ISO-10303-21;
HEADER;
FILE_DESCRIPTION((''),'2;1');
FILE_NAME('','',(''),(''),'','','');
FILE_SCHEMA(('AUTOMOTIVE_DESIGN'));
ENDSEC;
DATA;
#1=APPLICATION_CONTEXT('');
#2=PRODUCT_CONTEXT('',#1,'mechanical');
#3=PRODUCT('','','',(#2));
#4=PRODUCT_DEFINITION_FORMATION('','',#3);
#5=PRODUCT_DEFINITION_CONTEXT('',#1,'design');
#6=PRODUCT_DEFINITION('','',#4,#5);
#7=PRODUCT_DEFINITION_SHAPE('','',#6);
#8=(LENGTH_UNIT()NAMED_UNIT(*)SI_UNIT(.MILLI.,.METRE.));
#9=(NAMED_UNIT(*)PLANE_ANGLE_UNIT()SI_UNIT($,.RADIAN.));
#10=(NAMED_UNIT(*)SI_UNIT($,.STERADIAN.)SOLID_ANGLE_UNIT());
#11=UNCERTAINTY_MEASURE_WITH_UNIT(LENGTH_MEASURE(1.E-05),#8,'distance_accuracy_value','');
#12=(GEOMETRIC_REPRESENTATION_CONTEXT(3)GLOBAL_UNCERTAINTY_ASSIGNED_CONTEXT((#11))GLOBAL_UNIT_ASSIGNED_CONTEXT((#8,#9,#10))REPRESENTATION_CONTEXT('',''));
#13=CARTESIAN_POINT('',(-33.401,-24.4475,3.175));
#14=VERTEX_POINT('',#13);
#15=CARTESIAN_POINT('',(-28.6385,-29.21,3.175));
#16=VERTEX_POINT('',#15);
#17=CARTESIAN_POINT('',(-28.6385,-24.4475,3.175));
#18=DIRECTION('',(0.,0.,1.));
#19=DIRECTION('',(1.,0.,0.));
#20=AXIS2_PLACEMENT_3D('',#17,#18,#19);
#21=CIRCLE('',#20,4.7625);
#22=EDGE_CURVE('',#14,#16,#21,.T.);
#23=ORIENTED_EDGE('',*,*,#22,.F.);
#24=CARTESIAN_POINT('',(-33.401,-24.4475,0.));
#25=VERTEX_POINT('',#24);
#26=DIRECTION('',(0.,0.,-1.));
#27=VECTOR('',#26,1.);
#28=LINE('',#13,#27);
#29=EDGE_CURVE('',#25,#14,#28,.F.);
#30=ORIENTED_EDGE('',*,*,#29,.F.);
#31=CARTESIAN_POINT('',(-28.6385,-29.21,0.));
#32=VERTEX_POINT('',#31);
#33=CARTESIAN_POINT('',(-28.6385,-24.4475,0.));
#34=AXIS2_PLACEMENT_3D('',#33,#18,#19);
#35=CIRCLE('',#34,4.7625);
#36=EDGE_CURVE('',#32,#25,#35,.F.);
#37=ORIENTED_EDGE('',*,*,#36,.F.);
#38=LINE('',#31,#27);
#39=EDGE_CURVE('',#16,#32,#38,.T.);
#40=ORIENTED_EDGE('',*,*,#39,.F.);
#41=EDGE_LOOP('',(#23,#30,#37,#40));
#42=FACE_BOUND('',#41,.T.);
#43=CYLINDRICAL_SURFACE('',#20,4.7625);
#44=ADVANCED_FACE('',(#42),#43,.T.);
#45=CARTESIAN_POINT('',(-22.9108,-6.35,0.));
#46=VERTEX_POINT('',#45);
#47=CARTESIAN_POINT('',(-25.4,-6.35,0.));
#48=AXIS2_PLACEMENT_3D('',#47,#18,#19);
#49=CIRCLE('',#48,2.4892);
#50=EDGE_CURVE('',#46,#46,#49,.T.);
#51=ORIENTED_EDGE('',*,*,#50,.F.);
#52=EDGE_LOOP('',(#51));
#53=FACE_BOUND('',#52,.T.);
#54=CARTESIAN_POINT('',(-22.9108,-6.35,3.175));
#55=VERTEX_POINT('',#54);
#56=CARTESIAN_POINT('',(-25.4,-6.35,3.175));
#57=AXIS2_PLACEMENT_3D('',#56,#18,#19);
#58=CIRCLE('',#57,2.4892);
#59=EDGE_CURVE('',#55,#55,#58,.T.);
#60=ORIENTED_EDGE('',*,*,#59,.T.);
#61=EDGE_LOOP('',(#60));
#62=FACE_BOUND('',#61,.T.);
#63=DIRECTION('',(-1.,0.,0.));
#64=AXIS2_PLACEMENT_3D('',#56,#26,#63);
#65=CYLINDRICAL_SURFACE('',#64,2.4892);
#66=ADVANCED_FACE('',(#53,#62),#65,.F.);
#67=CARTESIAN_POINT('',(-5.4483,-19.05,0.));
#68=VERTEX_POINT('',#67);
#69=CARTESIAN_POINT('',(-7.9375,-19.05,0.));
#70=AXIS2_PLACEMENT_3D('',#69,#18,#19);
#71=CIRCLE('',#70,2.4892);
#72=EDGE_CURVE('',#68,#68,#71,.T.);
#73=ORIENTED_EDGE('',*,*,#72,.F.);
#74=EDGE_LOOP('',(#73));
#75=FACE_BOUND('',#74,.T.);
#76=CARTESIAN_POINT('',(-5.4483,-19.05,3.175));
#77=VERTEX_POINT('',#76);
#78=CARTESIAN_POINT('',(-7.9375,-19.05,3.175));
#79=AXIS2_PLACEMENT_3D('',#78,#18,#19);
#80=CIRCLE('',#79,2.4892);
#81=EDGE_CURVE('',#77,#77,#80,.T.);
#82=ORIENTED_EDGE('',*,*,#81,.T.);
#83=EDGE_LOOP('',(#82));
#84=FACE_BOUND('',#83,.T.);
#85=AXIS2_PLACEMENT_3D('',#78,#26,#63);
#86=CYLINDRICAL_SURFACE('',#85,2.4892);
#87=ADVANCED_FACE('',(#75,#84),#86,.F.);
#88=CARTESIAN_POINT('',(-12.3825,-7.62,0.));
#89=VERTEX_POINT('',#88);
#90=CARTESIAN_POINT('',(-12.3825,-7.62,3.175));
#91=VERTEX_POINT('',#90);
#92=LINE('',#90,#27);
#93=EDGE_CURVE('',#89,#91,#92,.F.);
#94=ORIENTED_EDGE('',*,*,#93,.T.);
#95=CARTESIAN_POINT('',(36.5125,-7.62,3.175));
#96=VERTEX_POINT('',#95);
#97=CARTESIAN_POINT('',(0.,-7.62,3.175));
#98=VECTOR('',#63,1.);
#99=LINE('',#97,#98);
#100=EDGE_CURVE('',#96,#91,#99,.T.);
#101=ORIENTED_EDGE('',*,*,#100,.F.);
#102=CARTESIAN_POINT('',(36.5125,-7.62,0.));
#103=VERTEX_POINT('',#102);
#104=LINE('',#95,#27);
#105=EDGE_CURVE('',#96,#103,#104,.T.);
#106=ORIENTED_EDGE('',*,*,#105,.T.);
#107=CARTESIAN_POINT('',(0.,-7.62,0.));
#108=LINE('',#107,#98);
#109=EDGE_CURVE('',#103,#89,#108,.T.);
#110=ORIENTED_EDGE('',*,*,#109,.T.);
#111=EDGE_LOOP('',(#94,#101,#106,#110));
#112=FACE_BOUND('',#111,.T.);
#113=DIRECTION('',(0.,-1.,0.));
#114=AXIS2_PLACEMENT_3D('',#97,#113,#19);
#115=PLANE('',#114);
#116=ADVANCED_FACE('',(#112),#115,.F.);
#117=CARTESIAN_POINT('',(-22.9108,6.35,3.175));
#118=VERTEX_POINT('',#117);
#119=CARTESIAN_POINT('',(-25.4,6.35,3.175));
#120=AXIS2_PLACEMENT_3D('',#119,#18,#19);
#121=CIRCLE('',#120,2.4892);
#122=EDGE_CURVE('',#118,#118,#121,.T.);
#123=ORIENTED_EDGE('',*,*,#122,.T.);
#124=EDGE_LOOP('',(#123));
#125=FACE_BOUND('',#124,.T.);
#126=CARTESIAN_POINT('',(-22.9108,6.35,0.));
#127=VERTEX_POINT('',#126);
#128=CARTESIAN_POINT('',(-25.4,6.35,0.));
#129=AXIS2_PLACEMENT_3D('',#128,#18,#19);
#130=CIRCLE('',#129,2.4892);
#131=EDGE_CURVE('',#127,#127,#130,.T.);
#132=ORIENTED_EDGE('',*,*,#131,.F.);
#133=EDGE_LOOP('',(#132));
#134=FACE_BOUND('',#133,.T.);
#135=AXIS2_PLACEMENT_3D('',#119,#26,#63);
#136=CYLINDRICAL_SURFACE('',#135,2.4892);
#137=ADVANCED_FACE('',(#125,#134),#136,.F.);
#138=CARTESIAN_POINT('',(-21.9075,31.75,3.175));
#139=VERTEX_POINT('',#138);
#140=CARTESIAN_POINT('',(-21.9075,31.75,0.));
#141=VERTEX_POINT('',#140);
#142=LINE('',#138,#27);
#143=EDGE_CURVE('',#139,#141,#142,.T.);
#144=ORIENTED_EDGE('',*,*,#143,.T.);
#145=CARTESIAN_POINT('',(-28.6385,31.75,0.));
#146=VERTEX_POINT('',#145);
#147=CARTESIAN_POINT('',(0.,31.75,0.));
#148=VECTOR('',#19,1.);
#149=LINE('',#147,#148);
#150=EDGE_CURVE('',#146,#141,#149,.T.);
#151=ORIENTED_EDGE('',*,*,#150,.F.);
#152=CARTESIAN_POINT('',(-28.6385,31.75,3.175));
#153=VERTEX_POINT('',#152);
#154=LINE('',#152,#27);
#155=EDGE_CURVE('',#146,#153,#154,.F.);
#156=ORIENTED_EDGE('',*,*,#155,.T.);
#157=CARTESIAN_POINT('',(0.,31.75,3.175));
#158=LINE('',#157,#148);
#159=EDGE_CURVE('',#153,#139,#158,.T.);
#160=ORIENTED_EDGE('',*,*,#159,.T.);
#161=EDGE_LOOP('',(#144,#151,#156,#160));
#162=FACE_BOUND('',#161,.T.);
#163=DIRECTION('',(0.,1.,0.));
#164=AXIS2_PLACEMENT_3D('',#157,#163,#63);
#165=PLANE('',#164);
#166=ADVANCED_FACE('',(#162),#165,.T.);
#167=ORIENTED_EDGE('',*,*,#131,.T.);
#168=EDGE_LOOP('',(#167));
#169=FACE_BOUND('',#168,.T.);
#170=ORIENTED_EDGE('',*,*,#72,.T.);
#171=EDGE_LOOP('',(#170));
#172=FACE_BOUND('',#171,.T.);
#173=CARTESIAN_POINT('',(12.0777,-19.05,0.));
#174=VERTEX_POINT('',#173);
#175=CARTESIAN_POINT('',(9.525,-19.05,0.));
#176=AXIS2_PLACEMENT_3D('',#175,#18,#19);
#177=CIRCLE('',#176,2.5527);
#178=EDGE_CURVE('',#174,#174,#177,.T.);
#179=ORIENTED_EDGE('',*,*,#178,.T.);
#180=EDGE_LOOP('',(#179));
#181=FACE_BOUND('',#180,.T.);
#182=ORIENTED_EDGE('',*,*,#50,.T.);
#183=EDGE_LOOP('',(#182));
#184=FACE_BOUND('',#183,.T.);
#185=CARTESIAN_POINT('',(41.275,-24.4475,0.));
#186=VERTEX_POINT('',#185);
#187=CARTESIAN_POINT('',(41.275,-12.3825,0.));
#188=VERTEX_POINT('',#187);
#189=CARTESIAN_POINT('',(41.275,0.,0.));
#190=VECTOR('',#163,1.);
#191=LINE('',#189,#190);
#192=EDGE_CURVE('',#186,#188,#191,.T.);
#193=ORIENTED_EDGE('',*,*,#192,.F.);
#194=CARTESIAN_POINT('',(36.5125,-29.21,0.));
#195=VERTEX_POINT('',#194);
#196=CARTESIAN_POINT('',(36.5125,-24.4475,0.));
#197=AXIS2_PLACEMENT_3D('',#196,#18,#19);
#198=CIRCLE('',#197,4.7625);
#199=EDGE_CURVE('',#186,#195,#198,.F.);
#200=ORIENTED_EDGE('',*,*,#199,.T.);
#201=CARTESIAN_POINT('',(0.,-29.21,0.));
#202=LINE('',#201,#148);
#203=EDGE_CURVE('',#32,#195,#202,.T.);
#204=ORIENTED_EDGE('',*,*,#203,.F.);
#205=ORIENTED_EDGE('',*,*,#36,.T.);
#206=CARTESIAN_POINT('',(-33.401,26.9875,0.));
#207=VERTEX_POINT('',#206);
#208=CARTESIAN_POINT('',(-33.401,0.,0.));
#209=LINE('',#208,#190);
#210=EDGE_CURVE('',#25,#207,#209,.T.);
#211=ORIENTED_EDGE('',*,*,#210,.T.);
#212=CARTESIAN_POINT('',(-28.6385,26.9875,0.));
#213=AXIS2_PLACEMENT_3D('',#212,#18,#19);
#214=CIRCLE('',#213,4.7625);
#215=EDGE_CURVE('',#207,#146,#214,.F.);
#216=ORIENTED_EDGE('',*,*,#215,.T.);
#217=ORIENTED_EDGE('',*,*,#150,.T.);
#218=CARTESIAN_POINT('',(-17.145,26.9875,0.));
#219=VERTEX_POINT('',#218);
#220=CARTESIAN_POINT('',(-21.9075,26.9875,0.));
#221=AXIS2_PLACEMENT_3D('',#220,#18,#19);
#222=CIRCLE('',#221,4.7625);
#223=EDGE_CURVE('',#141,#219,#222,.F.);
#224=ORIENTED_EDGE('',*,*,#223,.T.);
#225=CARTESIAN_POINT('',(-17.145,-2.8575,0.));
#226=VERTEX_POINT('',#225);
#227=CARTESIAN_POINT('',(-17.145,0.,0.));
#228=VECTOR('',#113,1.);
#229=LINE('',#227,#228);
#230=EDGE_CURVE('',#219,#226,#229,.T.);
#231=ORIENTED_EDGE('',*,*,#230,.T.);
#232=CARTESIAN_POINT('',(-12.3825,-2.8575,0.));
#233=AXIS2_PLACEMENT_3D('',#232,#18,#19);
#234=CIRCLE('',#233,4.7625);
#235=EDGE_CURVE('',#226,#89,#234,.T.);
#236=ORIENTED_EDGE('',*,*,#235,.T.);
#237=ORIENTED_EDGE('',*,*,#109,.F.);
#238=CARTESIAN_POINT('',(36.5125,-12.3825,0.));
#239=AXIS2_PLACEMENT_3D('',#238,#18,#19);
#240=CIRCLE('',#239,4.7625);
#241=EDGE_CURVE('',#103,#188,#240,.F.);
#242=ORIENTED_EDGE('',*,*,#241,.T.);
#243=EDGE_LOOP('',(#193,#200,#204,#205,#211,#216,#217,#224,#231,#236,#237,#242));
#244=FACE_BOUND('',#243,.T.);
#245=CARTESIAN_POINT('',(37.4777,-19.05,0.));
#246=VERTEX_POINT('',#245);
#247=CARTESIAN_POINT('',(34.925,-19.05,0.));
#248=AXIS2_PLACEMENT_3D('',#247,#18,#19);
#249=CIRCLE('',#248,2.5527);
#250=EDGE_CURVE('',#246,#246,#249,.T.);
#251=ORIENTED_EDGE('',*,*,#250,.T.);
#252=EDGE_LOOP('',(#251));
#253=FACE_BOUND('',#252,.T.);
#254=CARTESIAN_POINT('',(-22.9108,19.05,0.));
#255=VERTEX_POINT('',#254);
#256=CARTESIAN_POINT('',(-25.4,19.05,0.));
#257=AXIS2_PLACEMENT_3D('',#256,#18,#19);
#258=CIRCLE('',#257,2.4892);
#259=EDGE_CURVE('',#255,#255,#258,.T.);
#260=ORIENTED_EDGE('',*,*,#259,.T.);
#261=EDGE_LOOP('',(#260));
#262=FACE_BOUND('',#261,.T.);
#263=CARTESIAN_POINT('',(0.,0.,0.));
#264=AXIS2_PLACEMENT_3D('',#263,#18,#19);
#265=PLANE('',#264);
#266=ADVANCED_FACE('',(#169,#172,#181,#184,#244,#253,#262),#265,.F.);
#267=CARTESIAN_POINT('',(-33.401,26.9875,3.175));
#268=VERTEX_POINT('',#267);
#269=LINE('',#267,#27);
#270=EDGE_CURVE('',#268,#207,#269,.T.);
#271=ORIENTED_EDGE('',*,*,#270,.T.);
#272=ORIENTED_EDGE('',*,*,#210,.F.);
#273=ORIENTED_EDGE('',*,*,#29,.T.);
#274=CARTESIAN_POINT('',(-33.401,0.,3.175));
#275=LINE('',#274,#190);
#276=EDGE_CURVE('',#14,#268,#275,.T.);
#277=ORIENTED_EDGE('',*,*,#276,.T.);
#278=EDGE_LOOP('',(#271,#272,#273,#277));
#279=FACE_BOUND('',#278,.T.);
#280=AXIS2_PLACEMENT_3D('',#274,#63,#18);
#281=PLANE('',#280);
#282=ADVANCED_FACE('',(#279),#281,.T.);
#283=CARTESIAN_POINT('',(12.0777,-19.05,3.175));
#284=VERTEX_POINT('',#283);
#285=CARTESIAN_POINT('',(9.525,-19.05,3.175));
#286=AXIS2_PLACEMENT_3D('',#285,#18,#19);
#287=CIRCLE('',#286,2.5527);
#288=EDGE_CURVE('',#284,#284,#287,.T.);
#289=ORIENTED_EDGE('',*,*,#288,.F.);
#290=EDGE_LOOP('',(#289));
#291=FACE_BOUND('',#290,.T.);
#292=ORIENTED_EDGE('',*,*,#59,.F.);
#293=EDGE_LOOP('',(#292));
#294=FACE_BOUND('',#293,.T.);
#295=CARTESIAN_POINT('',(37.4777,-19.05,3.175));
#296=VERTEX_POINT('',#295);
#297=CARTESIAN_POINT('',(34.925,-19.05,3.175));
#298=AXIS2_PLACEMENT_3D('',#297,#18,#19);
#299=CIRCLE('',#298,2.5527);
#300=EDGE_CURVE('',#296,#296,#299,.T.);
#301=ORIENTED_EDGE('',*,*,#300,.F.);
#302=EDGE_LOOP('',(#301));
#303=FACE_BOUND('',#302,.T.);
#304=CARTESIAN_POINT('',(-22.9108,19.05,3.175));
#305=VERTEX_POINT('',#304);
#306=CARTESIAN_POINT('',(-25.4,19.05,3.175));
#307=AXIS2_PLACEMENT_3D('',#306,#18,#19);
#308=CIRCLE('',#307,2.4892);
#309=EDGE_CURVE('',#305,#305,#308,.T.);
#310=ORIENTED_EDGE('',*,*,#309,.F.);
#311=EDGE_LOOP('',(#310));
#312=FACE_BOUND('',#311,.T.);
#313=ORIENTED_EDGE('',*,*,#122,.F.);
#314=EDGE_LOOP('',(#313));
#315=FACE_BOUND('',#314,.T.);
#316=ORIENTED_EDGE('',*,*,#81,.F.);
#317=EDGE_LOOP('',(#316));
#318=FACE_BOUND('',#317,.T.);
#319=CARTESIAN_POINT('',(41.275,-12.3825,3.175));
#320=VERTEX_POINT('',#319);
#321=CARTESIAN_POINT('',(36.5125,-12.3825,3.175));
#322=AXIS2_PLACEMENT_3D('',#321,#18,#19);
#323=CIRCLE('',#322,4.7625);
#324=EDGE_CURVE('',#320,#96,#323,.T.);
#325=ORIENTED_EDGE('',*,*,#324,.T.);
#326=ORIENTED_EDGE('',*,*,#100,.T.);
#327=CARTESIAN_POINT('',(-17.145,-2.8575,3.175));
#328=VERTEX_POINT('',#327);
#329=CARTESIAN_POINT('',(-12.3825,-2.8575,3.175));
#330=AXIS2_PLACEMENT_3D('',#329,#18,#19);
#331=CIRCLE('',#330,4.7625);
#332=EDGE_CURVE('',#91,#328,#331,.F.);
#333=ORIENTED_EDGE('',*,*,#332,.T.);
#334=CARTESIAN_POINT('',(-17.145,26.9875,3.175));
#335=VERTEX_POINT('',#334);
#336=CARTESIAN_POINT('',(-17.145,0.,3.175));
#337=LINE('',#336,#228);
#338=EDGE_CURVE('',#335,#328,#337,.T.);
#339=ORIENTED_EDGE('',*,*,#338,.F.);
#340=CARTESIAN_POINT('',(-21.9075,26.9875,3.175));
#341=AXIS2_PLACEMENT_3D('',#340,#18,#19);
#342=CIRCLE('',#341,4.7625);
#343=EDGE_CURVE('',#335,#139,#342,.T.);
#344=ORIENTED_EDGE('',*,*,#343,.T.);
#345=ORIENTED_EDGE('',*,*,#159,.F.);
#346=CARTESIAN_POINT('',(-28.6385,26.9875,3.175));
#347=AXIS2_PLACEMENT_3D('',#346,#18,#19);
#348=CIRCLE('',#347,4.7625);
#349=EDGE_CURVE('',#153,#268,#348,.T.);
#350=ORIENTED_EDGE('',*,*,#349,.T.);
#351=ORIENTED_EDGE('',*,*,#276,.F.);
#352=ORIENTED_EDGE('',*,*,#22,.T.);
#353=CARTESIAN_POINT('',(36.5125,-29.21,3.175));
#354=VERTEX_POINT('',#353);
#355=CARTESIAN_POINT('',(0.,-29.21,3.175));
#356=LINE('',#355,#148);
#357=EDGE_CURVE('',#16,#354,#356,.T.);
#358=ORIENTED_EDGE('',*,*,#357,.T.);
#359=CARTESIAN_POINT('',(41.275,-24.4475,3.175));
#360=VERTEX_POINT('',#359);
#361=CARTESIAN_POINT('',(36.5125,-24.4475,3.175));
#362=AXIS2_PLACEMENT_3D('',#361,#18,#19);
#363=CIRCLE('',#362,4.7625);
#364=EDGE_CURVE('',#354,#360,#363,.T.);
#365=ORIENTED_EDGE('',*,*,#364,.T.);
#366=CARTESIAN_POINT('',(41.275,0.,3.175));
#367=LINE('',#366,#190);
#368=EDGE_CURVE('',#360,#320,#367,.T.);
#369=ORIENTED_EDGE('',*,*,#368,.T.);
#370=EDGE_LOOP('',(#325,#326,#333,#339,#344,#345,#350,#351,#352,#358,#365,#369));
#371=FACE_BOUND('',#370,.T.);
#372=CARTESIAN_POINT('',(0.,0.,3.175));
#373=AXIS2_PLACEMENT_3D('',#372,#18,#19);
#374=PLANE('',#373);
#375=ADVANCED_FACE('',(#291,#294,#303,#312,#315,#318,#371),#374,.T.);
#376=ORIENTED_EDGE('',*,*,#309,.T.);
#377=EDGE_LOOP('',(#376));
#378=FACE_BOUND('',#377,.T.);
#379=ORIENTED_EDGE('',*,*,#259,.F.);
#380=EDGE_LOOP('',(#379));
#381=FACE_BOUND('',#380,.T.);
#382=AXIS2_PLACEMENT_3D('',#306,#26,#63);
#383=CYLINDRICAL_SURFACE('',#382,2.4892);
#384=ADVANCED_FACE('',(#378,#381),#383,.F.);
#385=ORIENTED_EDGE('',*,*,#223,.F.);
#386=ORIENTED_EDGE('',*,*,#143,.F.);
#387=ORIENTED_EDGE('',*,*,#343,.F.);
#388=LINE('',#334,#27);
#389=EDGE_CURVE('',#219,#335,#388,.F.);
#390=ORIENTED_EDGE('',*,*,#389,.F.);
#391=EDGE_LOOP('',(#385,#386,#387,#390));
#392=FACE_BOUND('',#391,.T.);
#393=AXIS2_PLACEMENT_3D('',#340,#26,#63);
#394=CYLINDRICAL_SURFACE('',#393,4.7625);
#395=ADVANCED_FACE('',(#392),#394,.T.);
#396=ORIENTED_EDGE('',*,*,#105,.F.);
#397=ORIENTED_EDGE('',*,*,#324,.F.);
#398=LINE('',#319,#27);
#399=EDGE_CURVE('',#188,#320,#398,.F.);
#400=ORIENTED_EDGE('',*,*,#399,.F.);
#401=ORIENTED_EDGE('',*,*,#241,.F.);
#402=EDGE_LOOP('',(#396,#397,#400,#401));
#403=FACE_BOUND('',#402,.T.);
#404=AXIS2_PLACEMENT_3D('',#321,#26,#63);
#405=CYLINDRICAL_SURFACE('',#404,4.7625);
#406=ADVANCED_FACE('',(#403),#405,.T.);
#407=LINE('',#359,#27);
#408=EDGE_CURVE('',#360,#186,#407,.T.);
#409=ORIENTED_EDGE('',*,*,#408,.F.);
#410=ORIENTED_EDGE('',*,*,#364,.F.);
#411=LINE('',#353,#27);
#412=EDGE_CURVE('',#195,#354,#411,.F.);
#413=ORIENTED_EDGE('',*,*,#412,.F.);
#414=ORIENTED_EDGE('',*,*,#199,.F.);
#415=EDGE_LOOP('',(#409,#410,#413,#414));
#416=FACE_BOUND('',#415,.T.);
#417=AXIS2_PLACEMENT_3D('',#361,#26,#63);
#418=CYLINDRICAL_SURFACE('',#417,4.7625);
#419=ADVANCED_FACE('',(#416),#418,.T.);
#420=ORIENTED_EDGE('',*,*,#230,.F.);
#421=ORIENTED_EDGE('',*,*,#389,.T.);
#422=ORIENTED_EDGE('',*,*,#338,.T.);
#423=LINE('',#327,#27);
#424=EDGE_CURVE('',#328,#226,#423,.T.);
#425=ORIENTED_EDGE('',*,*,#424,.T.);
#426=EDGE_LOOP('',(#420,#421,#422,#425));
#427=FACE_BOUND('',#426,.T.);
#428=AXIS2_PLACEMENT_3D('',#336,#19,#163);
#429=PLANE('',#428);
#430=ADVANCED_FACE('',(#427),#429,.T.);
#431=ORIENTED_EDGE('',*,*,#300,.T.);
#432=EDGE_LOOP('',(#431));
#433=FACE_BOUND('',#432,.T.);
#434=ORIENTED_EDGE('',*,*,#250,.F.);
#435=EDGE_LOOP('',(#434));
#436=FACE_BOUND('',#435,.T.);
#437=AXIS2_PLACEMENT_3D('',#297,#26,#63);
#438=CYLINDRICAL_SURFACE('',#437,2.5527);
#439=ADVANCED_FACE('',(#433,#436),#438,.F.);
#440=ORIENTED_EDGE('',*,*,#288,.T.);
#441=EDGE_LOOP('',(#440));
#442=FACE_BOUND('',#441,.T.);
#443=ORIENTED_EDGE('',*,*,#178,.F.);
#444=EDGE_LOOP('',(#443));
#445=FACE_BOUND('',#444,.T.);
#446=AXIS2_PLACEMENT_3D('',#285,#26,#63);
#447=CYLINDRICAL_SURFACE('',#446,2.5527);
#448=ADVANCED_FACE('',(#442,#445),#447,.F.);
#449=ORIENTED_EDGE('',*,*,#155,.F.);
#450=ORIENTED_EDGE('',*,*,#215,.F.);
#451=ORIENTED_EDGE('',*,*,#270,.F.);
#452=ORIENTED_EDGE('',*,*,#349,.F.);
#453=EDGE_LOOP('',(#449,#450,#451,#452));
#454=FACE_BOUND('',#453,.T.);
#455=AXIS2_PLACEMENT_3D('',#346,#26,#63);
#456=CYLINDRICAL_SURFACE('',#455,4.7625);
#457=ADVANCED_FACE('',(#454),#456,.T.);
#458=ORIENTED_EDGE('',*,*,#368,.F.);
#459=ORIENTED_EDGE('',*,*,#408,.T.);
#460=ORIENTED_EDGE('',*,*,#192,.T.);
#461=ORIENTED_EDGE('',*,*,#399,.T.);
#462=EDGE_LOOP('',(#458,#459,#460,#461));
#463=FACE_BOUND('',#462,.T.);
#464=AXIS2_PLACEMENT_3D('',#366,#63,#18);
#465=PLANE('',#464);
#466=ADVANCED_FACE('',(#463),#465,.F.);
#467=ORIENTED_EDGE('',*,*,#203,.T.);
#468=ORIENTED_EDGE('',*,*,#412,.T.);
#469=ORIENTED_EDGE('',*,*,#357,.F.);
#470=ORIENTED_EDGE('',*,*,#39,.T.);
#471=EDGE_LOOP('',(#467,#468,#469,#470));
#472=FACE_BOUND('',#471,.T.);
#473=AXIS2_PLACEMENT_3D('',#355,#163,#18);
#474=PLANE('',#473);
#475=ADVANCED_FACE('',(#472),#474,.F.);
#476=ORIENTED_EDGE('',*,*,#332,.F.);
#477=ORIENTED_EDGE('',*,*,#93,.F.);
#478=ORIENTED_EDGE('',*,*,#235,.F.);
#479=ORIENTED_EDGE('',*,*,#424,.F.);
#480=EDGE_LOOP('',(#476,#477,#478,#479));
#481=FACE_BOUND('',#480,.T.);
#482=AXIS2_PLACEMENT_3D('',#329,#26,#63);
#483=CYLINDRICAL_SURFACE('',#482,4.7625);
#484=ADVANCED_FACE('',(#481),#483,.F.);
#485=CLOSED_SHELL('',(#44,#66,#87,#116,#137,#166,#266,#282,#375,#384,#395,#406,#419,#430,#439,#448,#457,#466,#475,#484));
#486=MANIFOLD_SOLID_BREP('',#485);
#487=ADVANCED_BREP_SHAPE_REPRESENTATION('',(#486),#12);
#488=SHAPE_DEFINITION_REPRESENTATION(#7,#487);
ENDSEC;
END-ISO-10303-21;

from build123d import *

# Parameters (mm, degrees)
SKETCH1_R           = 2.4892
SKETCH1_R_2         = 2.5527
BOSS_EXTRUDE1_DEPTH = 3.175
FILLET1_R           = 4.7625


with BuildPart() as part:
    # Sketch1 → Boss-Extrude1 (new body)
    with BuildSketch(Plane.XY):
        Polygon((-33.401, 31.75), (-33.401, -29.21), (41.275, -29.21), (41.275, -7.62), (-17.145, -7.62), (-17.145, 31.75), align=None)
        with Locations((-25.4, -19.05)):
            Circle(SKETCH1_R, mode=Mode.SUBTRACT)
        with Locations((-7.9375, -19.05)):
            Circle(SKETCH1_R, mode=Mode.SUBTRACT)
        with Locations((-25.4, -6.35)):
            Circle(SKETCH1_R, mode=Mode.SUBTRACT)
        with Locations((9.525, -19.05)):
            Circle(SKETCH1_R_2, mode=Mode.SUBTRACT)
        with Locations((34.925, -19.05)):
            Circle(SKETCH1_R_2, mode=Mode.SUBTRACT)
        with Locations((-25.4, 6.35)):
            Circle(SKETCH1_R, mode=Mode.SUBTRACT)
        with Locations((-25.4, 19.05)):
            Circle(SKETCH1_R, mode=Mode.SUBTRACT)
        with Locations((-25.4, -19.05)):
            Circle(SKETCH1_R)
    extrude(amount=BOSS_EXTRUDE1_DEPTH)

    # Fillet1
    fillet1_edges = [part.edges().sort_by_distance(p)[0] for p in [
        (-33.401, 31.75, 1.5875),
        (-17.145, 31.75, 1.5875),
        (-17.145, -7.62, 1.5875),
        (41.275, -7.62, 1.5875),
        (41.275, -29.21, 1.5875),
        (-33.401, -29.21, 1.5875),
    ]]
    fillet(fillet1_edges, radius=FILLET1_R)


solid = part.part
